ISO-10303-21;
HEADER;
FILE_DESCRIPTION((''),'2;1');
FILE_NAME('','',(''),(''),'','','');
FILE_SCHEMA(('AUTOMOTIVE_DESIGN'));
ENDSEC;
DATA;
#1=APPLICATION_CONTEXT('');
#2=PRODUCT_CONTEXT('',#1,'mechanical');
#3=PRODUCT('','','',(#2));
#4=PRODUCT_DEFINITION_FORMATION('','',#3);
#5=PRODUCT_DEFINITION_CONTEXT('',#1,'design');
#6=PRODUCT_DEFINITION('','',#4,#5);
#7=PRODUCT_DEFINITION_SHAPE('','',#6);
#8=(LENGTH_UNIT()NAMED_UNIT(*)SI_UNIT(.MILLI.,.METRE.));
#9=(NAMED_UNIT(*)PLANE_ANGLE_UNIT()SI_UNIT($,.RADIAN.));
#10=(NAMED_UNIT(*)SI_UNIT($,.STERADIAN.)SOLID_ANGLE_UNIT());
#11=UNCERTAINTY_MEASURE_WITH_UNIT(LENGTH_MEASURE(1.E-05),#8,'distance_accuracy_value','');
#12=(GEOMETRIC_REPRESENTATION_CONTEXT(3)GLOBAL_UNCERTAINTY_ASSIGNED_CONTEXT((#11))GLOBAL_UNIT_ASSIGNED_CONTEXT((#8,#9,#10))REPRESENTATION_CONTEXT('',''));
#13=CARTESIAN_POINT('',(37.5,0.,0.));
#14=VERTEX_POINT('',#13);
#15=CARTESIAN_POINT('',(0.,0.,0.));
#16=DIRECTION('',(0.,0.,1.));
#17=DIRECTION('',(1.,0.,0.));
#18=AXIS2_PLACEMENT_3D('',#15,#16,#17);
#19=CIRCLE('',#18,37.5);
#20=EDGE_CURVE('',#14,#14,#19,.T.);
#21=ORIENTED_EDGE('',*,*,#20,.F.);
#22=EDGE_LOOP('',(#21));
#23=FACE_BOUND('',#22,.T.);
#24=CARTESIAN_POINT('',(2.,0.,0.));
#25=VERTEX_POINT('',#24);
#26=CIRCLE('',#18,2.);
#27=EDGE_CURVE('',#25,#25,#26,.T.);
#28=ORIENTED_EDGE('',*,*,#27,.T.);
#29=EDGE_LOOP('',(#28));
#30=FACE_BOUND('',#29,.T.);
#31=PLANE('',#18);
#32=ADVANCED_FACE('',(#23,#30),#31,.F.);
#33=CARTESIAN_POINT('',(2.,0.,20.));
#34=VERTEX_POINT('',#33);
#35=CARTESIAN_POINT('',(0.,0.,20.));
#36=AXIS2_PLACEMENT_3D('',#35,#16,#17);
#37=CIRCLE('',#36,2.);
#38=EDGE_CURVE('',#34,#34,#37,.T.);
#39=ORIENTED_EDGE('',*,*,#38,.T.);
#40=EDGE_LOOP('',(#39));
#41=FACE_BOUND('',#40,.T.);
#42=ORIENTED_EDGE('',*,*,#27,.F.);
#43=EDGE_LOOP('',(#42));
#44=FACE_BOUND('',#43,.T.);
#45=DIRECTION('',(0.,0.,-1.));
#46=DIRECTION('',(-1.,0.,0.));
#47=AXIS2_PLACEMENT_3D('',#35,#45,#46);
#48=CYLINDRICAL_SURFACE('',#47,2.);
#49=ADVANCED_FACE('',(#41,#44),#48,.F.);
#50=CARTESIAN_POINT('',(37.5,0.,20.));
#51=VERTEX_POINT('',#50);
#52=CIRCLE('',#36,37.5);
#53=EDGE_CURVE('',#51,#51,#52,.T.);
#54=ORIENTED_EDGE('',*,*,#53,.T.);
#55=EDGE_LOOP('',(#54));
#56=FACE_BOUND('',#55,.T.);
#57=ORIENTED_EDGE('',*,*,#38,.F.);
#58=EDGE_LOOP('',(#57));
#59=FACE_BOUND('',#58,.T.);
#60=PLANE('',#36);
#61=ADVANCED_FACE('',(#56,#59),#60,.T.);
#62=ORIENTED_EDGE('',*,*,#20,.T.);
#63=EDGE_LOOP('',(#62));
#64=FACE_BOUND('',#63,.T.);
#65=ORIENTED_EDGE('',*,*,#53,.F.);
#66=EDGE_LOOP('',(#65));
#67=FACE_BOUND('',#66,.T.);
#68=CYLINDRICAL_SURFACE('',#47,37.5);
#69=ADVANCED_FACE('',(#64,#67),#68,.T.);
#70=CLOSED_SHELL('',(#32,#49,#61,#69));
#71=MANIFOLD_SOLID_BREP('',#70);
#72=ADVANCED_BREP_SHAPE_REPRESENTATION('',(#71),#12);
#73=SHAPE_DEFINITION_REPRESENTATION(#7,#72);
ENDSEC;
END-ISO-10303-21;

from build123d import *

# Parameters (mm, degrees)
SKETCH_1_R      = 37.5
SKETCH_1_R_2    = 2
EXTRUDE_1_DEPTH = 20


with BuildPart() as part:
    # 草圖1 → 填料-伸長1 (new body)
    with BuildSketch(Plane.XY):
        Circle(SKETCH_1_R)
        Circle(SKETCH_1_R_2, mode=Mode.SUBTRACT)
    extrude(amount=EXTRUDE_1_DEPTH)


solid = part.part
